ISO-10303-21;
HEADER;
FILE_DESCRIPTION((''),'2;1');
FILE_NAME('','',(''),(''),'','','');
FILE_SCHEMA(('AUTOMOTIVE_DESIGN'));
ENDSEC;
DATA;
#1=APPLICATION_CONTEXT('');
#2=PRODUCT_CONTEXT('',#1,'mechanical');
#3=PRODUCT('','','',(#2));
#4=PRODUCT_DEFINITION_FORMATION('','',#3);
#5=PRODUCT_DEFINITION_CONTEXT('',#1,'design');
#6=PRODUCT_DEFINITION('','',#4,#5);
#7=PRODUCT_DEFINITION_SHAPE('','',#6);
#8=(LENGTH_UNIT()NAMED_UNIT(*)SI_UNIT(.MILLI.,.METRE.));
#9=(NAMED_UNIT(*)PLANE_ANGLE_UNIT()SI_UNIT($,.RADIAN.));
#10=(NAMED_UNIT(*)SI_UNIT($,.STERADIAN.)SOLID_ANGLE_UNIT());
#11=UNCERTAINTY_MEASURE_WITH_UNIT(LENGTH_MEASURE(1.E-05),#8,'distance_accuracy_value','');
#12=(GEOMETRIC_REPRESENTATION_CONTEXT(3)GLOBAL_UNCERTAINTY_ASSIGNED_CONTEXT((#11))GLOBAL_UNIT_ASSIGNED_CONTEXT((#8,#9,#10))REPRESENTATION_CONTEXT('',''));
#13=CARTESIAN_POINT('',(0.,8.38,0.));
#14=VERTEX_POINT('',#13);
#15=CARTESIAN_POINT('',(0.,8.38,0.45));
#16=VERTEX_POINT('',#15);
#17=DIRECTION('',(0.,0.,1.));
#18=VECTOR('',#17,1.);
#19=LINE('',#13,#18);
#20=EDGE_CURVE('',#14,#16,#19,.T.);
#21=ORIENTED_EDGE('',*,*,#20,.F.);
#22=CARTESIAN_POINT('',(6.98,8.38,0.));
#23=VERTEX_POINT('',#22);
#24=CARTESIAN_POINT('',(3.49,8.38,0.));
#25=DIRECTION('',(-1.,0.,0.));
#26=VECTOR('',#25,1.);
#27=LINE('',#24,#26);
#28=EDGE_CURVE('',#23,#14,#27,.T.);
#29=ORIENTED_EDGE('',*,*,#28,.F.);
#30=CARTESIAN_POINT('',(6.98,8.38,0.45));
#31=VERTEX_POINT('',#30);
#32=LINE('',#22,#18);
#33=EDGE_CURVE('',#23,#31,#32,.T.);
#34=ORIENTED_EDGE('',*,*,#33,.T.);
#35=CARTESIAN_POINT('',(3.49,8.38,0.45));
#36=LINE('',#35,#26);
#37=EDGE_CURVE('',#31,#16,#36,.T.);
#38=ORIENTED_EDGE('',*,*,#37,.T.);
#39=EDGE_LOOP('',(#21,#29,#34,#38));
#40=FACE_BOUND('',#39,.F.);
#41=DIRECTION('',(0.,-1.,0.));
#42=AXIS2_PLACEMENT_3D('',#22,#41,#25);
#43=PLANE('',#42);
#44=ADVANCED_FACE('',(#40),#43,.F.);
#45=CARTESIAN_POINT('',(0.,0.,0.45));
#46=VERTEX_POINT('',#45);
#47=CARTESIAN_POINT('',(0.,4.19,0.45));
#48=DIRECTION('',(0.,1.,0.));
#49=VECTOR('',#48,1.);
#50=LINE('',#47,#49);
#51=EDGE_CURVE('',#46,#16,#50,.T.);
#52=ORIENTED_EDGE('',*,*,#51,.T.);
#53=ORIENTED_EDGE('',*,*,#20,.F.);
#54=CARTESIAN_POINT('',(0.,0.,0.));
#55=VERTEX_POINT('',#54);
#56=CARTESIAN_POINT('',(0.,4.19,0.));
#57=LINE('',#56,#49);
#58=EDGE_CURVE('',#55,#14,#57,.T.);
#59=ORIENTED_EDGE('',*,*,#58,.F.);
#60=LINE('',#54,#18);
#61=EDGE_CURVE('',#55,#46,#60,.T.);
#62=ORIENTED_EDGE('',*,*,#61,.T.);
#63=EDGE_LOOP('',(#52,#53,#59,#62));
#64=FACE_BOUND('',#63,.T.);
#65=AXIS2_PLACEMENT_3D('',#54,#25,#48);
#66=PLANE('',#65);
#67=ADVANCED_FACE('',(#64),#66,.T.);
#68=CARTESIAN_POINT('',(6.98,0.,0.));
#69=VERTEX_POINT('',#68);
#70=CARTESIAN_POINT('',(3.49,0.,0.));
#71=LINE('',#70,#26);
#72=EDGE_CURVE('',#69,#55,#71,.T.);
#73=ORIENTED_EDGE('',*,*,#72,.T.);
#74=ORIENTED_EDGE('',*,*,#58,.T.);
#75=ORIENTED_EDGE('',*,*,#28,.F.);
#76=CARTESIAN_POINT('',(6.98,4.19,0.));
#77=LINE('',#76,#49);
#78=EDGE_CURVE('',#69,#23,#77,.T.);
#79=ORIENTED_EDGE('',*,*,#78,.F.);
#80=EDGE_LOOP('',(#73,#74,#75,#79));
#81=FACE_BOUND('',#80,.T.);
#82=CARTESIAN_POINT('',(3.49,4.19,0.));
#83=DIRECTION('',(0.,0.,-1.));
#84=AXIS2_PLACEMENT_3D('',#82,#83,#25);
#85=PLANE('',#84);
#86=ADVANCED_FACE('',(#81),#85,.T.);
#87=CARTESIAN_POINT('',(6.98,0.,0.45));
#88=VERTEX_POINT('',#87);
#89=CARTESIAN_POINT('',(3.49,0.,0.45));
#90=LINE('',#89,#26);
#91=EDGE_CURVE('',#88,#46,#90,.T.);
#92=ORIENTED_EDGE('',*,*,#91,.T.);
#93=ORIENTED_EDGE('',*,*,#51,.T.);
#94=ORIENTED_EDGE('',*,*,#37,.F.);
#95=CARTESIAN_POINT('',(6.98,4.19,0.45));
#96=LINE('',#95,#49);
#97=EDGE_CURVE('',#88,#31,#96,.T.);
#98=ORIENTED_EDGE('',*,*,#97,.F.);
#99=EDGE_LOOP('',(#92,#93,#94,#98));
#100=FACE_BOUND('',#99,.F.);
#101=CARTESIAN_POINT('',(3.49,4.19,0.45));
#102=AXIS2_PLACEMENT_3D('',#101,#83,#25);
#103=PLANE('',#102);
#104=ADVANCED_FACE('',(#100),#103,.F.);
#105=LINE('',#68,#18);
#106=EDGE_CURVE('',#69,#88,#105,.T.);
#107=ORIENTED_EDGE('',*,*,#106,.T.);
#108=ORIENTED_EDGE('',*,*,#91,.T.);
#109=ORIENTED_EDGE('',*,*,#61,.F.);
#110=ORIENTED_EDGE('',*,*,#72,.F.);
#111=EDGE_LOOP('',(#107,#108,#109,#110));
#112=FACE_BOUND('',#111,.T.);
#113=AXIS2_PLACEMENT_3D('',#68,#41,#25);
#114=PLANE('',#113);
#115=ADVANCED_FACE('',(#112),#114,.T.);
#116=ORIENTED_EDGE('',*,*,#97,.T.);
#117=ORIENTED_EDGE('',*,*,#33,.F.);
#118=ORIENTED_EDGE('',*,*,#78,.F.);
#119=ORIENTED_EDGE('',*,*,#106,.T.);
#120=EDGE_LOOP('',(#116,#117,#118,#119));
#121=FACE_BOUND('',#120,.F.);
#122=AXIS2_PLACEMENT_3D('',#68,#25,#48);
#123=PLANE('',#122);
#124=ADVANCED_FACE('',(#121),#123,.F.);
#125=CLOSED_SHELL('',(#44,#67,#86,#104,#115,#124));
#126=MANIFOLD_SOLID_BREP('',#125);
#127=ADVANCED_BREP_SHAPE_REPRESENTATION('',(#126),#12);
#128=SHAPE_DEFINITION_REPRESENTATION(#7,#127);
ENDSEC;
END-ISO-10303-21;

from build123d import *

# Parameters (mm, degrees)
SKETCH1_W           = 6.980000001
SKETCH1_H           = 8.380000002
BOSS_EXTRUDE1_DEPTH = 0.45


with BuildPart() as part:
    # Sketch1 → Boss-Extrude1 (new body)
    with BuildSketch(Plane(origin=(0, 0, 0), x_dir=(-1, 0, 0), z_dir=(0, 0, -1))):
        with Locations((-3.490000001, 4.190000001)):
            Rectangle(SKETCH1_W, SKETCH1_H)
    extrude(amount=-BOSS_EXTRUDE1_DEPTH)


solid = part.part
